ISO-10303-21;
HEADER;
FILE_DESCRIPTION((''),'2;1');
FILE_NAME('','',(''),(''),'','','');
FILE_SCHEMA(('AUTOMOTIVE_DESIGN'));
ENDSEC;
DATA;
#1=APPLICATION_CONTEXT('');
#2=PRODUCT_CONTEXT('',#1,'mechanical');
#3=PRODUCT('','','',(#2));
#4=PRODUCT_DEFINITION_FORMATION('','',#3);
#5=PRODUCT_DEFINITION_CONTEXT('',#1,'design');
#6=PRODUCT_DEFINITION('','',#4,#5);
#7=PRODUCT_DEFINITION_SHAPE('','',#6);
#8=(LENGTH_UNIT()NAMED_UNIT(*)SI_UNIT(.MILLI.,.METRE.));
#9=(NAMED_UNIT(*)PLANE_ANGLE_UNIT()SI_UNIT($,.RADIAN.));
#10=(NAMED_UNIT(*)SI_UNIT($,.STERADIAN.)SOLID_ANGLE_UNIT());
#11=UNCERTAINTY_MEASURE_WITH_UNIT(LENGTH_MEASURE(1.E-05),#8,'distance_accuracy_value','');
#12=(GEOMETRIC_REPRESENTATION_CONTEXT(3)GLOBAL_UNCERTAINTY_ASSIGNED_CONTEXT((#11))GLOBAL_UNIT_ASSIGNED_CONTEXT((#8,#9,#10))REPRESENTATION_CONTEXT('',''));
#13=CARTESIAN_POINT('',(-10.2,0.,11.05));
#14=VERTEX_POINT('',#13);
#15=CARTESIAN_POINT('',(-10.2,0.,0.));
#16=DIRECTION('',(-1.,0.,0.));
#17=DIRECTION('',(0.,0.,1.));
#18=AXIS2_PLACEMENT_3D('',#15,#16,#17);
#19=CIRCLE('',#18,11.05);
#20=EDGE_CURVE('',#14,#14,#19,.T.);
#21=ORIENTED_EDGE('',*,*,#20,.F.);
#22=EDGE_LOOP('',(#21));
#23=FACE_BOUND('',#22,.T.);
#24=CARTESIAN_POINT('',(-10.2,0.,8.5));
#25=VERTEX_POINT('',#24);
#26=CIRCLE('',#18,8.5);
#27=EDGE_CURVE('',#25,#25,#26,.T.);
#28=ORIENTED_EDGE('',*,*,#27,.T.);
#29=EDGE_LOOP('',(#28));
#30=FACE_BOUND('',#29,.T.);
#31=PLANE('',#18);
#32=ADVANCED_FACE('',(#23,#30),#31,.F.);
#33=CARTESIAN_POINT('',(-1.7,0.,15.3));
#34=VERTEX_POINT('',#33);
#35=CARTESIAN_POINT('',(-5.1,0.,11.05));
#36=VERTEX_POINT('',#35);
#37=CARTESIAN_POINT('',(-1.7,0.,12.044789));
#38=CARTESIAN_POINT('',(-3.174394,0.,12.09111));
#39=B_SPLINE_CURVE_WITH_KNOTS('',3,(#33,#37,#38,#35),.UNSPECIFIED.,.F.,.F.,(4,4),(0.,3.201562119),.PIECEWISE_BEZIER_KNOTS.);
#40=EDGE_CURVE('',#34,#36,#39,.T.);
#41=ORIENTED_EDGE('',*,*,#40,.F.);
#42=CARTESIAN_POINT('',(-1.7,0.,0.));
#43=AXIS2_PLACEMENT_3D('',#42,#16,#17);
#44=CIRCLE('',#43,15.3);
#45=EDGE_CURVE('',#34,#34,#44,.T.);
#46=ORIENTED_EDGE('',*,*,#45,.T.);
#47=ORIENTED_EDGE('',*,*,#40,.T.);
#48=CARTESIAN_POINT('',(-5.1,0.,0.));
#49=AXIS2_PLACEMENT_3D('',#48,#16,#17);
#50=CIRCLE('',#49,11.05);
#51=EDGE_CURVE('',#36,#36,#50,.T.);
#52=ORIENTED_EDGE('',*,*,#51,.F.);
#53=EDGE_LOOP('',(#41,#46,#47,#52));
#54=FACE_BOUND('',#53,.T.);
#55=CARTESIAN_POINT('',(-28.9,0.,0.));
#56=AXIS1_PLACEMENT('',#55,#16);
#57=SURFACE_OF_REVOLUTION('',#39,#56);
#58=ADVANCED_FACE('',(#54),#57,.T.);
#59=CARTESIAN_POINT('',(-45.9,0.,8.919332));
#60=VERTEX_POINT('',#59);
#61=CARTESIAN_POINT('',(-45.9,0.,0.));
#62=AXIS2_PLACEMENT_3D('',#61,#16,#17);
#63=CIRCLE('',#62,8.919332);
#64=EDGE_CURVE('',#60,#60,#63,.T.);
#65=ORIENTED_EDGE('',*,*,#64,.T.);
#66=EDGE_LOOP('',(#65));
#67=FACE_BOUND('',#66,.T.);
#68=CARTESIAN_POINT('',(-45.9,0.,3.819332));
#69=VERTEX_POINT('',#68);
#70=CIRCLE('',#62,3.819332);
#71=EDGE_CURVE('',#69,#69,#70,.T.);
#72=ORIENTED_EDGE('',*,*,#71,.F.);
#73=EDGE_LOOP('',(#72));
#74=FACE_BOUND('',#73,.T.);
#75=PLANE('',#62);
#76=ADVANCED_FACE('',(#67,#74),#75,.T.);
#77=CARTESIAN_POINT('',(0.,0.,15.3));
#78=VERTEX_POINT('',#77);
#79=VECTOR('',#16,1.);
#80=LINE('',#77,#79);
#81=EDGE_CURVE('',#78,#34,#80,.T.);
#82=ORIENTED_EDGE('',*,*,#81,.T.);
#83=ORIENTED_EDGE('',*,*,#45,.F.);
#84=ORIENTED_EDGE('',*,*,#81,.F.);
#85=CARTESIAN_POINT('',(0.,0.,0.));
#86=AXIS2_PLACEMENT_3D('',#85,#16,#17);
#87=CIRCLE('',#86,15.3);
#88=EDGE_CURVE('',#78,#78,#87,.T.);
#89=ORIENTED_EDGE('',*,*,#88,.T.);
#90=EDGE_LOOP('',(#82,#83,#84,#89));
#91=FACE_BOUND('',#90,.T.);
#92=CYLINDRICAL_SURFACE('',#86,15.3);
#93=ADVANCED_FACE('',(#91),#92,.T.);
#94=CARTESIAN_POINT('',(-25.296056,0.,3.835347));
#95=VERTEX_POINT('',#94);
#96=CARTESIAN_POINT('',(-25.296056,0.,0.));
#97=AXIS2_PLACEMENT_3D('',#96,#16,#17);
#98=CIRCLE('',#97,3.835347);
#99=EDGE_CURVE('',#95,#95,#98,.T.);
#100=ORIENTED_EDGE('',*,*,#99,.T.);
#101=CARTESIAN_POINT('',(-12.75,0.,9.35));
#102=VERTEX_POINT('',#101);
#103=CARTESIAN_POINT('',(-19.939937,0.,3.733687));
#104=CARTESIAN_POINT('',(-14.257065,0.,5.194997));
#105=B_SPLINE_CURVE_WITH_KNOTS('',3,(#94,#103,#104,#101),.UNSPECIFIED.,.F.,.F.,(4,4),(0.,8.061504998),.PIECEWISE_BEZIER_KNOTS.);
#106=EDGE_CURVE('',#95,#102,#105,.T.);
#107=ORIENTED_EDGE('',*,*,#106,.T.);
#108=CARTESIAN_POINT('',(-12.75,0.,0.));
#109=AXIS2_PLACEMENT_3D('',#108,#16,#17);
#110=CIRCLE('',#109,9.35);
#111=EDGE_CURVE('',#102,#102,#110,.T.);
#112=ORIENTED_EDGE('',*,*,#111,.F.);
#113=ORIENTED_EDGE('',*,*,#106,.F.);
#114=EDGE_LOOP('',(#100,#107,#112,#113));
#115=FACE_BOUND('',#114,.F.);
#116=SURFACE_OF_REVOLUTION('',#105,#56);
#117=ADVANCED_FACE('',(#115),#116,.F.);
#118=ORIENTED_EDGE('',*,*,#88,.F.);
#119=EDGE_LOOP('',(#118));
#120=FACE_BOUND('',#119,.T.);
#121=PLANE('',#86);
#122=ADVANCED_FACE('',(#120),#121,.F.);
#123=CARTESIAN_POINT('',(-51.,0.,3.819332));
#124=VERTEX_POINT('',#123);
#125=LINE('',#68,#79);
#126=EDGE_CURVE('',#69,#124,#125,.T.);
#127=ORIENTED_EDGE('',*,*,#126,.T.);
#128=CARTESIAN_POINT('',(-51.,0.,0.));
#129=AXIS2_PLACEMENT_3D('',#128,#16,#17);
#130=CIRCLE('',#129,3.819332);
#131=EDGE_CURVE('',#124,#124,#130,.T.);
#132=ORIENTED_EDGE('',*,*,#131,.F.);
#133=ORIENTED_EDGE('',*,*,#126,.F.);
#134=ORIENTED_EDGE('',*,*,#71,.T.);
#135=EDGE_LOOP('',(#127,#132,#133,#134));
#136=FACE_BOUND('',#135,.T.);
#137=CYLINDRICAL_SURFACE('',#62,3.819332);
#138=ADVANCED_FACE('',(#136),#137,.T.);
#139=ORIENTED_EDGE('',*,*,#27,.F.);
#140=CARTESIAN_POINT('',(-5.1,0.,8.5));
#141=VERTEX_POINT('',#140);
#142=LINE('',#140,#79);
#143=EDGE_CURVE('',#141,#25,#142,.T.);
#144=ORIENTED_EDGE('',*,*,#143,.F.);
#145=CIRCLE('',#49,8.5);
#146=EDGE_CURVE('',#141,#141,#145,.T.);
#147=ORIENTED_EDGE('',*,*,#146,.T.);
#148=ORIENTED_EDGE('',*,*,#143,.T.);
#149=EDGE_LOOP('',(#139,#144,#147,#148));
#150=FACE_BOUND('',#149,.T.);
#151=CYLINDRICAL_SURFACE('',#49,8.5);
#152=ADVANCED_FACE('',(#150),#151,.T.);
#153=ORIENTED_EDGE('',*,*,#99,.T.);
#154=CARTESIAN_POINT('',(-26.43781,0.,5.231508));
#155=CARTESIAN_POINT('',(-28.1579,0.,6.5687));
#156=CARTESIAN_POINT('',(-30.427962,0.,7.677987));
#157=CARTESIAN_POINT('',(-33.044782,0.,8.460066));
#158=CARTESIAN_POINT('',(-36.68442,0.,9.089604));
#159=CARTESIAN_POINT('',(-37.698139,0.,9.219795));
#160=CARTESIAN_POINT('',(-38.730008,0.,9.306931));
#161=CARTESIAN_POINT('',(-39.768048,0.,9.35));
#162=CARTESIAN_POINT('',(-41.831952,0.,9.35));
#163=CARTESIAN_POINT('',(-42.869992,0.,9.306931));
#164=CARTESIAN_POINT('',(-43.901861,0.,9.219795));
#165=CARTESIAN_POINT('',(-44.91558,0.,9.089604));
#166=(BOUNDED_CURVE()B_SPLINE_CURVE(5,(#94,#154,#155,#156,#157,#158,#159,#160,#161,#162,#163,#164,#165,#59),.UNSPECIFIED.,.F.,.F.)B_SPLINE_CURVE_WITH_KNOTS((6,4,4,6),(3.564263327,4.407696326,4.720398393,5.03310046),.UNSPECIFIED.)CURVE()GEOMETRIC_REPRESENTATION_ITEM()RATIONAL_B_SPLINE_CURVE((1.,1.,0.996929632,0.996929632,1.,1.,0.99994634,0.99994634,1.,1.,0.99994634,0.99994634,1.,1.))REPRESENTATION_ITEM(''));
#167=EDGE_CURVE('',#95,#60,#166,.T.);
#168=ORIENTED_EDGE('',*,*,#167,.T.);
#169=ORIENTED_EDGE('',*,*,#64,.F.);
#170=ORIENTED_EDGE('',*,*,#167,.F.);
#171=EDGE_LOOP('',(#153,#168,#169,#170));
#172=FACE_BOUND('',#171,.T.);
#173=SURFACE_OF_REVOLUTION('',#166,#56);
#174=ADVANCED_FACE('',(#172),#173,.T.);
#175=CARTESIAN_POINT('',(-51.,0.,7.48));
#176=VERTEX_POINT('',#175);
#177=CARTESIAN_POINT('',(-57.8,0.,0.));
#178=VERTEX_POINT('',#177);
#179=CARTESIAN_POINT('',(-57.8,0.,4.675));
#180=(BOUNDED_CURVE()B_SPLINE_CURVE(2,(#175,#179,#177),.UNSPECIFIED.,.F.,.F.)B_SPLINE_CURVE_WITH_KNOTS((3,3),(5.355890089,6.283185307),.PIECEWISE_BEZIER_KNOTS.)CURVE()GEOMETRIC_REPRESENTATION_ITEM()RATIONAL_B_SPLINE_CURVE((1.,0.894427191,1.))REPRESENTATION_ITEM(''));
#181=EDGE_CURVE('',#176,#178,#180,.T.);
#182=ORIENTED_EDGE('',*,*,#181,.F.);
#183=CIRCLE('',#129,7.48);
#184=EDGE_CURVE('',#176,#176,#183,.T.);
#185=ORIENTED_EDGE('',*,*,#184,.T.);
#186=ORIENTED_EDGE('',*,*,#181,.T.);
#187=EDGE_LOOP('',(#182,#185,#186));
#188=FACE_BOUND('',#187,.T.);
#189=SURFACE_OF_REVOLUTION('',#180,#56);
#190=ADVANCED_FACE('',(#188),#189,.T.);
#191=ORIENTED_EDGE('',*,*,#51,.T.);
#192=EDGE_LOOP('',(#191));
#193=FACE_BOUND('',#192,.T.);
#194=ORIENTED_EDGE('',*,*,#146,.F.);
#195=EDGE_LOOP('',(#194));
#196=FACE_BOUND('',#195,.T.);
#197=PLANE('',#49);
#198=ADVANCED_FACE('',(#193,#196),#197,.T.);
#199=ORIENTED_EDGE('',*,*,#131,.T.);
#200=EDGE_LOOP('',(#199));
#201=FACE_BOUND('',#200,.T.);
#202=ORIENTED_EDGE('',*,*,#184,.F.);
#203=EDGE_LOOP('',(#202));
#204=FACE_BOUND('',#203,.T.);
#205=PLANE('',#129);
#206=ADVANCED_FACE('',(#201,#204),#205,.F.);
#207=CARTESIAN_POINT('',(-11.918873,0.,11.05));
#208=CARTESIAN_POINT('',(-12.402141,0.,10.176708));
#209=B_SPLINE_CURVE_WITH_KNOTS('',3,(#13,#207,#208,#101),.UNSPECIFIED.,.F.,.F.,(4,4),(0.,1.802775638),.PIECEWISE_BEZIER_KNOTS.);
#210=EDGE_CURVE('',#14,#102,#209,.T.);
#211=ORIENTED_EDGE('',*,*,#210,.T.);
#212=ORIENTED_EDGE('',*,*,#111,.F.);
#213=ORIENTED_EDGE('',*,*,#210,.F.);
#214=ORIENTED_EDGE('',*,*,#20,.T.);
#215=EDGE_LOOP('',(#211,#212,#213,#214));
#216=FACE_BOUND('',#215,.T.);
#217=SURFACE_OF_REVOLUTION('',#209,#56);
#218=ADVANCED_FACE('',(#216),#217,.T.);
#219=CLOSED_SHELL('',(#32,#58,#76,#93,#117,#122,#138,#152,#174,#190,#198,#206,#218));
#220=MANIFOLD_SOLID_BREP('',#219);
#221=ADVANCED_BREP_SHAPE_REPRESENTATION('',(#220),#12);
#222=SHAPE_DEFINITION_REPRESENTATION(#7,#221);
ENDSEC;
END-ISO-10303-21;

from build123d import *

# Parameters (mm, degrees)
F2_SCALE = 1.7


with BuildPart() as f1:
    # F0 (on Front) → F1 (revolve)
    with BuildSketch(Plane.XZ):
        with BuildLine():
            Line((-7.5, 0), (0, 0))
            Line((0, 0), (0, 9))
            Line((0, 9), (-1, 9))
            add(Edge.make_bspline(
                [(-1, 9), (-1, 7.0851700753), (-1.8672904698, 7.1124176979), (-3, 6.5)],
                knots=[0, 0, 0, 0, 3.2015621187, 3.2015621187, 3.2015621187, 3.2015621187], degree=3))
            Line((-3, 6.5), (-3, 5))
            Line((-3, 5), (-6, 5))
            Line((-6, 5), (-6, 6.5))
            add(Edge.make_bspline(
                [(-6, 6.5), (-7.0111020468, 6.5), (-7.2953770868, 5.9862987623), (-7.5, 5.5)],
                knots=[0, 0, 0, 0, 1.8027756377, 1.8027756377, 1.8027756377, 1.8027756377], degree=3))
            Line((-7.5, 5.5), (-7.5, 0))
        make_face()
        with BuildLine():
            Line((-14, 0), (-7.5, 0))
            Line((-7.5, 0), (-7.5, 5.5))
            add(Edge.make_bspline(
                [(-14.8800330953, 2.2560865689), (-11.7293745279, 2.1962865721), (-8.3865085617, 3.0558807775), (-7.5, 5.5)],
                knots=[0, 0, 0, 0, 8.0615049982, 8.0615049982, 8.0615049982, 8.0615049982], degree=3))
            add(Edge.make_bspline(
                [(-14, 0), (-14, 1.179963637), (-14.8800330953, 2.2560865689)],
                knots=[3.1415926536, 3.1415926536, 3.1415926536, 3.5642633266, 3.5642633266, 3.5642633266], degree=2, weights=[1, 0.9777516787, 1]))
        make_face()
        with BuildLine():
            Line((-24, 0), (-14, 0))
            add(Edge.make_bspline(
                [(-14, 0), (-14, 1.179963637), (-14.8800330953, 2.2560865689)],
                knots=[3.1415926536, 3.1415926536, 3.1415926536, 3.5642633266, 3.5642633266, 3.5642633266], degree=2, weights=[1, 0.9777516787, 1]))
            add(Edge.make_bspline(
                [(-14.8800330953, 2.2560865689), (-16.7203144761, 4.5064212501), (-21, 5.2466656078)],
                knots=[3.5642633266, 3.5642633266, 3.5642633266, 4.4076963264, 4.4076963264, 4.4076963264], degree=2, weights=[1, 0.9123876747, 1]))
            add(Edge.make_bspline(
                [(-21, 5.2466656078), (-22.4646400472, 5.5), (-24, 5.5)],
                knots=[4.4076963264, 4.4076963264, 4.4076963264, 4.7123889804, 4.7123889804, 4.7123889804], degree=2, weights=[1, 0.9884177258, 1]))
            Line((-24, 5.5), (-24, 0))
        make_face()
        with BuildLine():
            Line((-34, 0), (-24, 0))
            Line((-24, 0), (-24, 5.5))
            add(Edge.make_bspline(
                [(-24, 5.5), (-25.5353599528, 5.5), (-27, 5.2466656078)],
                knots=[4.7123889804, 4.7123889804, 4.7123889804, 5.0170816344, 5.0170816344, 5.0170816344], degree=2, weights=[1, 0.9884177258, 1]))
            Line((-27, 5.2466656078), (-27, 2.2466656078))
            Line((-27, 2.2466656078), (-30, 2.2466656078))
            Line((-30, 2.2466656078), (-30, 4.4))
            add(Edge.make_bspline(
                [(-30, 4.4), (-34, 2.75), (-34, 0)],
                knots=[5.3558900892, 5.3558900892, 5.3558900892, 6.2831853072, 6.2831853072, 6.2831853072], degree=2, weights=[1, 0.894427191, 1]))
        make_face()
    revolve(axis=Axis((-17, 0, 0), (-1, 0, 0)))


with BuildPart() as f1_1:
    # F2: moved
    add(f1.part.scale(F2_SCALE))


solid = f1_1.part
